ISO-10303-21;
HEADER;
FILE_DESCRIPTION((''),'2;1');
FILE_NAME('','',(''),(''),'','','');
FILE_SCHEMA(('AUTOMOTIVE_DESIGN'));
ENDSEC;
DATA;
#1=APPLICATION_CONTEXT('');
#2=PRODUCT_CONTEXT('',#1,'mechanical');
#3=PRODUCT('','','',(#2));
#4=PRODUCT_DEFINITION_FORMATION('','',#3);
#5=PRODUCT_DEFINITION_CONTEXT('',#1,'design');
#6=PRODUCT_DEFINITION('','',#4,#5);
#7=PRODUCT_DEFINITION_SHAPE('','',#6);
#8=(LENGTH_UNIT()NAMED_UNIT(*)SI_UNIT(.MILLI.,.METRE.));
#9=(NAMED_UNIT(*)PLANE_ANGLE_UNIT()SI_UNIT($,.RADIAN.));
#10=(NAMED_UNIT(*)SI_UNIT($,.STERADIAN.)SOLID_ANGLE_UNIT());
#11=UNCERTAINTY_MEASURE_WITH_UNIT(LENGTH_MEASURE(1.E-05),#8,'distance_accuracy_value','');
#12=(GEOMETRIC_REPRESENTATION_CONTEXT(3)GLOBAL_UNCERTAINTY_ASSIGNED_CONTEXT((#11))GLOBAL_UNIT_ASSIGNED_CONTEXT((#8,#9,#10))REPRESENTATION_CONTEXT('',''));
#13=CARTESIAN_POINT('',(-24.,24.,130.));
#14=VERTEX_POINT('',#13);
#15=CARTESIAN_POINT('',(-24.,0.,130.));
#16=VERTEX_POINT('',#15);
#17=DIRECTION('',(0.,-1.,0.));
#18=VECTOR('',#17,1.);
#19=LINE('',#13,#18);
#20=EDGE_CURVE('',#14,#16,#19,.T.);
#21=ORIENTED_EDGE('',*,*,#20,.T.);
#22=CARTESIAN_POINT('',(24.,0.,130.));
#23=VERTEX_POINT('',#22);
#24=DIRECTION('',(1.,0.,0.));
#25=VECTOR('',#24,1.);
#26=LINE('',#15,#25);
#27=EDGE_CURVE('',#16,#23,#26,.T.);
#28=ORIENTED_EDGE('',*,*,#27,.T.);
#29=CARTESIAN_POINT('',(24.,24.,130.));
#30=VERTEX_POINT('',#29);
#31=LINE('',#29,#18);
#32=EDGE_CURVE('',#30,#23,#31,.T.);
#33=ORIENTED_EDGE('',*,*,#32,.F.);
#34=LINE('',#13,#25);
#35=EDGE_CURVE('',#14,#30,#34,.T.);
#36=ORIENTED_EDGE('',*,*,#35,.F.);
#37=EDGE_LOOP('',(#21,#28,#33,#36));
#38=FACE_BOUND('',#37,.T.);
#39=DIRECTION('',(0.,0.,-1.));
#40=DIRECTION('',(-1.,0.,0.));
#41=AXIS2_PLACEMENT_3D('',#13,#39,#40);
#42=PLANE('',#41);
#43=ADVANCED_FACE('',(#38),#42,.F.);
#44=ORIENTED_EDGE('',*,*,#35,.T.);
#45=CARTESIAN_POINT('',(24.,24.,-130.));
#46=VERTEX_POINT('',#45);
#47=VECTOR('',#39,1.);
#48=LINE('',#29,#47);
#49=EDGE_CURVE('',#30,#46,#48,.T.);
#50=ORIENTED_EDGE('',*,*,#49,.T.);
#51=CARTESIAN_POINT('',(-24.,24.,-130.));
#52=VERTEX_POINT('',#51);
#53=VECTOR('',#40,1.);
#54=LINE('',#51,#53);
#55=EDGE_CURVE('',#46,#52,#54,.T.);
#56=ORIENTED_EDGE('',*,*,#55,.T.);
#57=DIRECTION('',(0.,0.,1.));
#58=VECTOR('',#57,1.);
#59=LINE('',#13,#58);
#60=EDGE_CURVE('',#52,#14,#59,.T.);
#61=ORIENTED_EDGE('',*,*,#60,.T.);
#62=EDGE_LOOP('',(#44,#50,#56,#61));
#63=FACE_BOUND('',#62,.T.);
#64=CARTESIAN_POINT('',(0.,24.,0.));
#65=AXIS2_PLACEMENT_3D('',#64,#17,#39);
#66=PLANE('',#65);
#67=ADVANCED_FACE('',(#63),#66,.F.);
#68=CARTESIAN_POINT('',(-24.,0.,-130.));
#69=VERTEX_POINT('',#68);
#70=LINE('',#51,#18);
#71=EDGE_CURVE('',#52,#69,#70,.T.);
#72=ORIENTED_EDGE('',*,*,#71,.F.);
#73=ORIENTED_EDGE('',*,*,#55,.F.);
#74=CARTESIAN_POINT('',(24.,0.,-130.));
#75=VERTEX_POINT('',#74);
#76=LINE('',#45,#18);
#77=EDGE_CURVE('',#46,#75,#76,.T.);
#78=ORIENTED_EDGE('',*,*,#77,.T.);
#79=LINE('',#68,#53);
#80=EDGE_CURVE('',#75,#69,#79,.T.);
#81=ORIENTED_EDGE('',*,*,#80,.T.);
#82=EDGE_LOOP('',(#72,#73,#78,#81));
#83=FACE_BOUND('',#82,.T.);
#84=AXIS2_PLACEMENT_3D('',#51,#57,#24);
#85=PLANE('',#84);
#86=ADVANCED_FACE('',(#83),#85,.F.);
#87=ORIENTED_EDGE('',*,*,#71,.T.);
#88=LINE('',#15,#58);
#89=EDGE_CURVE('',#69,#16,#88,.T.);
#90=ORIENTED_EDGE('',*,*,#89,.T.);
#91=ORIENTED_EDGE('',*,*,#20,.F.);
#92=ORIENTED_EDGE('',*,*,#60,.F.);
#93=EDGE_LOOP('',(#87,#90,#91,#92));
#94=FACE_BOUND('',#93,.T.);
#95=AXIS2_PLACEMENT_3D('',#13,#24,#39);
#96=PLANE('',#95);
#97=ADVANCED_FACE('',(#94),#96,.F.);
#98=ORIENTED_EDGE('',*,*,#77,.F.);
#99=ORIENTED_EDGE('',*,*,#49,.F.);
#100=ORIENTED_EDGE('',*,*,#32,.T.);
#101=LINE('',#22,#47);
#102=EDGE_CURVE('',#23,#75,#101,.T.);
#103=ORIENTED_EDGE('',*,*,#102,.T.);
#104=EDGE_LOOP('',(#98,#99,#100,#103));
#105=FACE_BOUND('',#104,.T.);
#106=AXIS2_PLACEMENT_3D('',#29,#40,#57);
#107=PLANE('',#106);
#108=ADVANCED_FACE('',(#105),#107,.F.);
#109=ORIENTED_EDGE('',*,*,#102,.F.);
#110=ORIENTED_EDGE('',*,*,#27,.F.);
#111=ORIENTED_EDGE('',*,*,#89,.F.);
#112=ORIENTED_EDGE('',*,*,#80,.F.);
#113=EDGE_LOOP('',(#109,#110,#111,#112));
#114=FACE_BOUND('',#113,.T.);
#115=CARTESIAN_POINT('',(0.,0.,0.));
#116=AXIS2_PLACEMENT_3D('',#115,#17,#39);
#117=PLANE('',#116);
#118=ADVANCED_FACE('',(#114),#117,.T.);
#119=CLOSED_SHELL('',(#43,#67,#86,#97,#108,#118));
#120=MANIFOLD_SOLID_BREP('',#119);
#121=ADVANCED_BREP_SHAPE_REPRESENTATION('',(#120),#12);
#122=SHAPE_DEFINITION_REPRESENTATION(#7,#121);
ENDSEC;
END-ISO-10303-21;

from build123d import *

# Parameters (mm, degrees)
ESQUISSE1_W        = 48
ESQUISSE1_H        = 260
BOSS_EXTRU_1_DEPTH = 24


with BuildPart() as part:
    # Esquisse1 → Boss.-Extru.1 (new body)
    with BuildSketch(Plane(origin=(0, 0, 0), x_dir=(1, 0, 0), z_dir=(0, 1, 0))):
        Rectangle(ESQUISSE1_W, ESQUISSE1_H)
    extrude(amount=BOSS_EXTRU_1_DEPTH)


solid = part.part
